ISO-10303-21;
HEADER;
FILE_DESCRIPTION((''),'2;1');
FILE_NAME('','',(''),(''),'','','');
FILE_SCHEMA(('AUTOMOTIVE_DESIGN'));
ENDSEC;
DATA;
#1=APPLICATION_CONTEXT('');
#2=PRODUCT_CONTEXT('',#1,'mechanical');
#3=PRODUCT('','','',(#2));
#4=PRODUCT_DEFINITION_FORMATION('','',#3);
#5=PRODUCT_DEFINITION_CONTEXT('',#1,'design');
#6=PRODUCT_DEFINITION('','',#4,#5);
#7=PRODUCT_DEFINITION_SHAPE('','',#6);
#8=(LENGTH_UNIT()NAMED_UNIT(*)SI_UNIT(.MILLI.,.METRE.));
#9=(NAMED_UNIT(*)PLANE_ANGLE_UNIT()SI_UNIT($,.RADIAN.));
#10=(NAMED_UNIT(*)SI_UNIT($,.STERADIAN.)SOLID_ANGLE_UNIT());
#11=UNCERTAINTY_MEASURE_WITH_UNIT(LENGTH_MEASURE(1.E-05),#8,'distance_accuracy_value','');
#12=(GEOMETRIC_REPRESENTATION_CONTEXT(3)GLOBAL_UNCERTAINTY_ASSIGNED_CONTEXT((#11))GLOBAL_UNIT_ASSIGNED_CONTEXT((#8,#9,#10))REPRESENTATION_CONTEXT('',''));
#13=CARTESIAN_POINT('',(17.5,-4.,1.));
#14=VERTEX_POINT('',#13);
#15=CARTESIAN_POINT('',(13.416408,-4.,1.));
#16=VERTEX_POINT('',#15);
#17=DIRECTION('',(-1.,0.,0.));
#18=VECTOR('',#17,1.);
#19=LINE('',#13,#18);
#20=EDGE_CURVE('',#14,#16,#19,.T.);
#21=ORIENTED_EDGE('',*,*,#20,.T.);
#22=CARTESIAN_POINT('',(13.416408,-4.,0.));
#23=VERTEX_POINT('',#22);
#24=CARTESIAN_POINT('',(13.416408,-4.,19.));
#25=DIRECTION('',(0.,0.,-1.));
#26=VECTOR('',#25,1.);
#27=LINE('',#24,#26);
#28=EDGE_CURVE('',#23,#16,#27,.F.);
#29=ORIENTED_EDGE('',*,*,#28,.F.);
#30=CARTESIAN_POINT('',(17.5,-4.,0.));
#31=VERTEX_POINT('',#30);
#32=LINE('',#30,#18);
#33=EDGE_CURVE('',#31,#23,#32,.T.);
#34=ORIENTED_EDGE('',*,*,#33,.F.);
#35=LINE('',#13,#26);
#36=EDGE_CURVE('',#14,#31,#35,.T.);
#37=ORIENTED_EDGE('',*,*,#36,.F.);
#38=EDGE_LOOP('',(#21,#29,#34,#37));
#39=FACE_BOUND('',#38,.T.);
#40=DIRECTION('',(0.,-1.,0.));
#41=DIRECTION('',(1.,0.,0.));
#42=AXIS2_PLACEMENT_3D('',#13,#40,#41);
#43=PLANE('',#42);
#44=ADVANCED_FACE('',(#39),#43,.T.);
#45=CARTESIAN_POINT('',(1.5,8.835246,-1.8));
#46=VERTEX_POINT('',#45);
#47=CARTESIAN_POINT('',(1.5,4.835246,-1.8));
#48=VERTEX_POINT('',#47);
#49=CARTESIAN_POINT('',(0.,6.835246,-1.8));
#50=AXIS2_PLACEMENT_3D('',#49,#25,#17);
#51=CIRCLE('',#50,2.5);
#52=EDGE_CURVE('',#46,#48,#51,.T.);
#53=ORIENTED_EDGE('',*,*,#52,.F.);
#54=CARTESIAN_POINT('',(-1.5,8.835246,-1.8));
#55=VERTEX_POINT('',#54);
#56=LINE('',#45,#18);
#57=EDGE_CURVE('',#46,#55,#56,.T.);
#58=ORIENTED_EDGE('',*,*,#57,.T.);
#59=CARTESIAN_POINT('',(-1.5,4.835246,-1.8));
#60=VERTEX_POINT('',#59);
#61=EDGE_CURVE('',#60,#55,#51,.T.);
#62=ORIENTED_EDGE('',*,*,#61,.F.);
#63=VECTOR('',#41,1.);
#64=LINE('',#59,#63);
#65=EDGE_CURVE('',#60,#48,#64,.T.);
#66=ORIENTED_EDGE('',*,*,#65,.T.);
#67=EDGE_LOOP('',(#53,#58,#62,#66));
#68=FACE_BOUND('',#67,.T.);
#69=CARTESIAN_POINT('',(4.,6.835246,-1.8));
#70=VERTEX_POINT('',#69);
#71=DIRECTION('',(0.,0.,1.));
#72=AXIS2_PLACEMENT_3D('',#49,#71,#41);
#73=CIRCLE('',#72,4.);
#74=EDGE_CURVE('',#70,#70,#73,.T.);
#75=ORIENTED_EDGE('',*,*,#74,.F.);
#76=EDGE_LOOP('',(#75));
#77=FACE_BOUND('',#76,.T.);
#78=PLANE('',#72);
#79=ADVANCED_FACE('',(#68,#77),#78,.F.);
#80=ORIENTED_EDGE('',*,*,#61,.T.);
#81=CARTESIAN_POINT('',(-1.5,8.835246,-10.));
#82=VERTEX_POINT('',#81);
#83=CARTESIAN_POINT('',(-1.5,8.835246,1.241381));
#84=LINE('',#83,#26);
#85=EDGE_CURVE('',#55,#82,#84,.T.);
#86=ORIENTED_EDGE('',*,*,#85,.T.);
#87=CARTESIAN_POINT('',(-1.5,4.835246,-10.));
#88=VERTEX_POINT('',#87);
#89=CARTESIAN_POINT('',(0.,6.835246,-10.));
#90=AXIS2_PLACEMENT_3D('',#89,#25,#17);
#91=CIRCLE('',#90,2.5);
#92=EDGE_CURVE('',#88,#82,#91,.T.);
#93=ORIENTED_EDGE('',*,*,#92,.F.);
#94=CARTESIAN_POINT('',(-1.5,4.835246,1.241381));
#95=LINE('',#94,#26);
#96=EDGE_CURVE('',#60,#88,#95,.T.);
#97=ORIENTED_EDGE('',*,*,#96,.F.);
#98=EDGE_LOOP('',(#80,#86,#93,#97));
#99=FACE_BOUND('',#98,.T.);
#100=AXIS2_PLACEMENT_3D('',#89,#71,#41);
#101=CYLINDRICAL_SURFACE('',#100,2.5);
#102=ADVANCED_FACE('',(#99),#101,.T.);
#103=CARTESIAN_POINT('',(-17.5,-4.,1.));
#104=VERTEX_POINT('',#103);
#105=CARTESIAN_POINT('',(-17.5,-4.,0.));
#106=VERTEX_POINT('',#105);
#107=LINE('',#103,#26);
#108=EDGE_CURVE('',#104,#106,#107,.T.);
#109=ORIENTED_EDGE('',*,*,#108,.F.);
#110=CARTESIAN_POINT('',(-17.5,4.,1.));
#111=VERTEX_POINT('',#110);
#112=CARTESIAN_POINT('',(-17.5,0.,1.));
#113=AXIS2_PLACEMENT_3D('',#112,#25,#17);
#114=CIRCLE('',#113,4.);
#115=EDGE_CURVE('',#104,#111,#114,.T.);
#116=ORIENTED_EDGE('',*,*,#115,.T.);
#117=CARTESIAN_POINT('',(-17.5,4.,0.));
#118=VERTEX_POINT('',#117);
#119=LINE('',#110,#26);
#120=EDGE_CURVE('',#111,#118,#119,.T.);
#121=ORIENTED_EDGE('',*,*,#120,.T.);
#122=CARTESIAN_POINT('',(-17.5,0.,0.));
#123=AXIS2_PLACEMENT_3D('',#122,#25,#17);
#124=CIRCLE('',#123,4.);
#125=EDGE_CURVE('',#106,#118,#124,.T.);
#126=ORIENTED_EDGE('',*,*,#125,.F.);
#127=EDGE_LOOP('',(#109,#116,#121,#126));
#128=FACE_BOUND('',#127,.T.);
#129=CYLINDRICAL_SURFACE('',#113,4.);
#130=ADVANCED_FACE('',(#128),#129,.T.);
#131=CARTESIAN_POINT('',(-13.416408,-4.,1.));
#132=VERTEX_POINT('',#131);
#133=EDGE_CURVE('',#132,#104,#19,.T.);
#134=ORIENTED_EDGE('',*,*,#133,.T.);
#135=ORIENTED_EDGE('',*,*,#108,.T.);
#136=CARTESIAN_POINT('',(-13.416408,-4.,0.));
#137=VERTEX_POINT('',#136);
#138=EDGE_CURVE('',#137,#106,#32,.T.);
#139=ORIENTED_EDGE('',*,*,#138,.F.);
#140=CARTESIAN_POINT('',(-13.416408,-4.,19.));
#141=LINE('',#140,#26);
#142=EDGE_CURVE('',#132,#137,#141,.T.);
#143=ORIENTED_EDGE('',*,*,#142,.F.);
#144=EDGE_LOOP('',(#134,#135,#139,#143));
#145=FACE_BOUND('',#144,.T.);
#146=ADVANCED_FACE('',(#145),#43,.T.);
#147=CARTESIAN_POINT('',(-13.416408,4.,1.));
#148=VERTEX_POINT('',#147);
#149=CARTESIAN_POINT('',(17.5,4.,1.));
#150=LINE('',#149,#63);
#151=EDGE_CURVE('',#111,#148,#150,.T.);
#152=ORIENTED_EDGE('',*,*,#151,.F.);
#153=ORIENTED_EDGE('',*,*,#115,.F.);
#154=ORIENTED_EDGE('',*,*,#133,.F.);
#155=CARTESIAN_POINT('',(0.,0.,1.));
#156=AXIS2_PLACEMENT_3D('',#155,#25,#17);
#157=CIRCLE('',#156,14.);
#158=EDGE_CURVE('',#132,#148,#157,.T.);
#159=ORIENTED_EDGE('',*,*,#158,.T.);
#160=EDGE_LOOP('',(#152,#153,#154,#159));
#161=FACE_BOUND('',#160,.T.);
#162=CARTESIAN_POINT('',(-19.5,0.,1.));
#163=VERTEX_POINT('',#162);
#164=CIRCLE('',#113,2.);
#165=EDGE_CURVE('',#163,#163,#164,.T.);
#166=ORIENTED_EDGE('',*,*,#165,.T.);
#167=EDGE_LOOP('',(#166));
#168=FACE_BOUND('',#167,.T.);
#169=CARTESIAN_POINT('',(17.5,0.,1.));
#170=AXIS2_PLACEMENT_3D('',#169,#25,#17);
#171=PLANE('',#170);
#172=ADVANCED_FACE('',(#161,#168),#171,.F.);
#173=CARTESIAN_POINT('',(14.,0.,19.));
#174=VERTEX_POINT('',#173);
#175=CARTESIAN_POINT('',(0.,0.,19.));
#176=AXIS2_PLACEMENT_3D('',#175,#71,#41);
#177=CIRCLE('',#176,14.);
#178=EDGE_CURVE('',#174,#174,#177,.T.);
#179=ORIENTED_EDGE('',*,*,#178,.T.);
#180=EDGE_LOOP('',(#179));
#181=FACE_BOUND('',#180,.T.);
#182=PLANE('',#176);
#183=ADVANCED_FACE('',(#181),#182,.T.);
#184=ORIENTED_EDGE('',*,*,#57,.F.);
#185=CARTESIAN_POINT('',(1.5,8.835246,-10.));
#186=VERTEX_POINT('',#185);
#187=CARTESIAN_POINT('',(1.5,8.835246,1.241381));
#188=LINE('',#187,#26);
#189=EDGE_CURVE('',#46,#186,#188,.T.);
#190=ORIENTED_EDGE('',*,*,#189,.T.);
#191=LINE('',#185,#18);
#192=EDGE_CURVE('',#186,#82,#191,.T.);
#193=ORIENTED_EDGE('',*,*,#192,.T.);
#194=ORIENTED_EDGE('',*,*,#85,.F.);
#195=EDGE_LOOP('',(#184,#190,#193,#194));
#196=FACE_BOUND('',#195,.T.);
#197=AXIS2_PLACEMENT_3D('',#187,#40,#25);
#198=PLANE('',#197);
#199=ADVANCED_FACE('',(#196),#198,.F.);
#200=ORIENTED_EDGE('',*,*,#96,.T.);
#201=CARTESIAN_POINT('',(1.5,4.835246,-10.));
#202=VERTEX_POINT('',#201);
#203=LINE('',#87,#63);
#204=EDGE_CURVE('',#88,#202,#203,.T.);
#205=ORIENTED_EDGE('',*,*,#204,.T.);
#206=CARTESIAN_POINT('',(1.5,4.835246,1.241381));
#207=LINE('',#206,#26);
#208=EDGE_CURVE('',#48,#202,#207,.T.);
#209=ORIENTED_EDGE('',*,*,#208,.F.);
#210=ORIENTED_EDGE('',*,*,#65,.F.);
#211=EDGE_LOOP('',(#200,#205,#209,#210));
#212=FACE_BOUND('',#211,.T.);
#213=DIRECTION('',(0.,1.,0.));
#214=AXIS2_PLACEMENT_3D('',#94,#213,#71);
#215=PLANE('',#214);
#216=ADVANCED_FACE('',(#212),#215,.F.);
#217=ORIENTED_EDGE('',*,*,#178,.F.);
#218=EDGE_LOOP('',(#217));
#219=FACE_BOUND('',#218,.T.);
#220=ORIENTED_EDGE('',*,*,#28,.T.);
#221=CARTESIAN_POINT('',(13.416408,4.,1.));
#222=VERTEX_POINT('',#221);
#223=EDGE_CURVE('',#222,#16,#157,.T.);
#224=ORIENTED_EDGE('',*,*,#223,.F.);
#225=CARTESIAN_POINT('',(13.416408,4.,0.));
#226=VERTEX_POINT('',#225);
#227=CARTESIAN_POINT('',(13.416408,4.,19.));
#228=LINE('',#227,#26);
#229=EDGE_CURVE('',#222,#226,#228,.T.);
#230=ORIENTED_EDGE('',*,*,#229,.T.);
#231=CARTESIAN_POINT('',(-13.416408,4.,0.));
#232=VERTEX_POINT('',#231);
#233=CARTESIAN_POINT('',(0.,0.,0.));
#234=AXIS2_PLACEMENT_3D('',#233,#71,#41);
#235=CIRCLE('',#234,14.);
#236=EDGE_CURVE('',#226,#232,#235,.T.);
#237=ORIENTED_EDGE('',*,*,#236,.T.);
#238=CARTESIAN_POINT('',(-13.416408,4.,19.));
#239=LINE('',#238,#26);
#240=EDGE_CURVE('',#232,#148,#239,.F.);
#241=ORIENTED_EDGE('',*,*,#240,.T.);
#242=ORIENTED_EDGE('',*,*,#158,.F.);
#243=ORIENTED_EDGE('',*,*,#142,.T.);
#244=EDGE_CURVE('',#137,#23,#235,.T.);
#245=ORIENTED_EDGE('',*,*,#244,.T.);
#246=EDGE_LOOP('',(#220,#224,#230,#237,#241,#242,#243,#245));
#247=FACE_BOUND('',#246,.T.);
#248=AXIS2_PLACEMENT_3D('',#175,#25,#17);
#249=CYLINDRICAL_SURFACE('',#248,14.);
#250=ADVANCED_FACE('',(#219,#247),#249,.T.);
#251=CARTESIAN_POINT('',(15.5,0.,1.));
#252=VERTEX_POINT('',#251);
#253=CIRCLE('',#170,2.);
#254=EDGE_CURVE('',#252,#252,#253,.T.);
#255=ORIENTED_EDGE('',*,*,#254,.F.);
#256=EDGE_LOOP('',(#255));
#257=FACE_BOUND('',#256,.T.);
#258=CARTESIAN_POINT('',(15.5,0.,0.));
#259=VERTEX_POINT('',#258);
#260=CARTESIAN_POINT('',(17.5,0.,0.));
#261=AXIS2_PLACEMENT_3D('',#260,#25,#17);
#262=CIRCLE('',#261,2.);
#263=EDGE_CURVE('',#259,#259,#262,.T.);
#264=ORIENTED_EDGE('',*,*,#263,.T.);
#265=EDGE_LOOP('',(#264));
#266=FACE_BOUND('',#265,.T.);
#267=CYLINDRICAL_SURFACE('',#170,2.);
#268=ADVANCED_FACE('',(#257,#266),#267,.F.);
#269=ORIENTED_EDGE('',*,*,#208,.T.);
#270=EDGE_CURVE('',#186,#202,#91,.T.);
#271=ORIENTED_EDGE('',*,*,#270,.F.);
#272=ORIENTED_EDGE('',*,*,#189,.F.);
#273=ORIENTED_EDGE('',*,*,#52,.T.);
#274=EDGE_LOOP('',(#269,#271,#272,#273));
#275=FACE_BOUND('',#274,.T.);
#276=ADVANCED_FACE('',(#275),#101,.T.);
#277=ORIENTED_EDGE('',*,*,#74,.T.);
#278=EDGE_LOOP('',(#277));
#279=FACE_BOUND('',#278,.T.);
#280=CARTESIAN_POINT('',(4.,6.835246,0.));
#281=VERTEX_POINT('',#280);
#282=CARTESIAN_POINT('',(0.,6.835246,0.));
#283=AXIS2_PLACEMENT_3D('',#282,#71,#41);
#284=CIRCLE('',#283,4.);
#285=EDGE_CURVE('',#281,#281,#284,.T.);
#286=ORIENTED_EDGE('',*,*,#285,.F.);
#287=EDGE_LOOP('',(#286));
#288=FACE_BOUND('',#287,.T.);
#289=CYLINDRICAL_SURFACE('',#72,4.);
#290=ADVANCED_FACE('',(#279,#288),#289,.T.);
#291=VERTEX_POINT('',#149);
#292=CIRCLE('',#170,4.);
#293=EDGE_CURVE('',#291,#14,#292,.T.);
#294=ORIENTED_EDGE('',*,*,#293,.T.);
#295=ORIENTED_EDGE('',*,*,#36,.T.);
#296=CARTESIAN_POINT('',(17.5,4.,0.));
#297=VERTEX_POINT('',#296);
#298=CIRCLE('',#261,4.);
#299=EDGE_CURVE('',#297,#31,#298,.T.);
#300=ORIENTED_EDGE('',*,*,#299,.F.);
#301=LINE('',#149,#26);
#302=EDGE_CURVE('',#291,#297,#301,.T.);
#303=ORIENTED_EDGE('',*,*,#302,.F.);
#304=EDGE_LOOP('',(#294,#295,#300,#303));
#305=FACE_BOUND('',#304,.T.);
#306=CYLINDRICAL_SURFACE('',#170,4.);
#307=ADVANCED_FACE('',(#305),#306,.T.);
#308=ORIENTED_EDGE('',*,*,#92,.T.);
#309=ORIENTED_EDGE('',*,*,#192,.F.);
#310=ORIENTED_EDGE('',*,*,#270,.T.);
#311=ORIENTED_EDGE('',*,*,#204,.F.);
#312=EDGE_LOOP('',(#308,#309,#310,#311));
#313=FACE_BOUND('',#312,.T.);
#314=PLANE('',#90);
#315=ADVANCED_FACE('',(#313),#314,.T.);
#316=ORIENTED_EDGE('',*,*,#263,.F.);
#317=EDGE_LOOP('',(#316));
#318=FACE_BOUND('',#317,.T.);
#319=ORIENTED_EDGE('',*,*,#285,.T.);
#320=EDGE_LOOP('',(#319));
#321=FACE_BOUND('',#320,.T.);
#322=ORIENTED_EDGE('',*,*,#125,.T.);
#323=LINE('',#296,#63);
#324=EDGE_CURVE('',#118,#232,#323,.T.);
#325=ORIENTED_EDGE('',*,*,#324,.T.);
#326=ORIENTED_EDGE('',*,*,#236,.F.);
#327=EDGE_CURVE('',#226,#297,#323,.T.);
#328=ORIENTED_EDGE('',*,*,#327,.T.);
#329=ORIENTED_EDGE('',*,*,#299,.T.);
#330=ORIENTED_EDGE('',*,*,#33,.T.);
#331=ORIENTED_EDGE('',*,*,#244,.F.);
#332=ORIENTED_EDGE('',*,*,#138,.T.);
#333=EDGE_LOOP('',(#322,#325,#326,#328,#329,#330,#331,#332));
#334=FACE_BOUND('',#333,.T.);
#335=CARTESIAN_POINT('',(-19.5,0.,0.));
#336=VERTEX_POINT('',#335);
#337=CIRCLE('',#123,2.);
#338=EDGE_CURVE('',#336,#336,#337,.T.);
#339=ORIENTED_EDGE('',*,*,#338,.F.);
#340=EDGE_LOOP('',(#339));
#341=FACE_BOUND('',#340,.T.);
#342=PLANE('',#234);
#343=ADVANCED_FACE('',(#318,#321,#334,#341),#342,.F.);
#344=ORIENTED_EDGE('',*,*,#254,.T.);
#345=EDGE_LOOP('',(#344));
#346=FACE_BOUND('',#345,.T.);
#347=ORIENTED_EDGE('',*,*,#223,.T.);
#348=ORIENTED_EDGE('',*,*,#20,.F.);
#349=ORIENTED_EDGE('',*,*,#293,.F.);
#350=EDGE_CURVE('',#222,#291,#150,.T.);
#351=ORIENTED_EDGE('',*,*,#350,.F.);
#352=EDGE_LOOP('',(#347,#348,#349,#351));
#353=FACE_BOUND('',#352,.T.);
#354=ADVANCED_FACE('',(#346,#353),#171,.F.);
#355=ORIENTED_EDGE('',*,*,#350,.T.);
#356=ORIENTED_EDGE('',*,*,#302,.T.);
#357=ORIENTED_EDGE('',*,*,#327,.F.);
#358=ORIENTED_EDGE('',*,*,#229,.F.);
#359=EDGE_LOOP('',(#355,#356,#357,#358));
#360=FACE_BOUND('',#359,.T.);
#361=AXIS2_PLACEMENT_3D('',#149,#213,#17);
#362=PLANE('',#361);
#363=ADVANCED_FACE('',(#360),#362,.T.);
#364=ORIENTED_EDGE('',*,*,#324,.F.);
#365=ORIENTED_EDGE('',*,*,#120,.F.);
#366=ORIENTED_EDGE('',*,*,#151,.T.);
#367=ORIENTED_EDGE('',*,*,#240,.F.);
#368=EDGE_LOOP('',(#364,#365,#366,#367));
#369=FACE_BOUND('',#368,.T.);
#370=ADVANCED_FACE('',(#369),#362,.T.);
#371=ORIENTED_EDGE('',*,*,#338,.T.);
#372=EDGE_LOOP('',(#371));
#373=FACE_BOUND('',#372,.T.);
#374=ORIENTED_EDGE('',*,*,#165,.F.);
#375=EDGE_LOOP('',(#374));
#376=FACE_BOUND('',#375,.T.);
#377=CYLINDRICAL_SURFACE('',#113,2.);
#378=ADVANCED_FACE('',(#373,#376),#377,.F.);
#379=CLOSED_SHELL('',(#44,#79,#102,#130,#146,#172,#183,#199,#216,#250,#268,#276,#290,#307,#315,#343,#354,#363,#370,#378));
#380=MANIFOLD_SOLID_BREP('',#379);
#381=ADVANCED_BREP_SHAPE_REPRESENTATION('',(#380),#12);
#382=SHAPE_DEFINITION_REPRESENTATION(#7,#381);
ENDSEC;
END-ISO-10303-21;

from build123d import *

# Parameters (mm, degrees)
SKETCH_1_R          = 14
EXTRUDE_1_DEPTH     = 19
SKETCH_3_R          = 4
EXTRUDE_2_DEPTH     = 1.8
SKETCH_4_R          = 2.5
EXTRUDE_3_DEPTH     = 8.2
SKETCH_5_R          = 2
EXTRUDE_4_DEPTH     = 1
CUT_EXTRUDE_START   = -8.2
CUT_EXTRUDE_1_DEPTH = 8.2


with BuildPart() as part:
    # 草图1 → 凸台-拉伸1 (new body)
    with BuildSketch(Plane.XY):
        Circle(SKETCH_1_R)
    extrude(amount=EXTRUDE_1_DEPTH)

    # 草图3 → 凸台-拉伸2 (add)
    with BuildSketch(Plane.XY):
        with Locations((0, 6.835245796)):
            Circle(SKETCH_3_R)
    extrude(amount=-EXTRUDE_2_DEPTH)

    # 草图4 → 凸台-拉伸3 (add)
    with BuildSketch(Plane(origin=(0, 0, -1.8), x_dir=(-1, 0, 0), z_dir=(0, 0, -1))):
        with Locations((0, 6.835245796)):
            Circle(SKETCH_4_R)
    extrude(amount=EXTRUDE_3_DEPTH)

    # 草图5 → 凸台-拉伸4 (add)
    with BuildSketch(Plane(origin=(0, 0, 0), x_dir=(-1, 0, 0), z_dir=(0, 0, -1))):
        with BuildLine():
            Line((-17.5, 4), (17.5, 4))
            ThreePointArc((17.5, 4), (21.5, 0), (17.5, -4))
            Line((17.5, -4), (-17.5, -4))
            ThreePointArc((-17.5, -4), (-21.5, 0), (-17.5, 4))
        make_face()
        with Locations((17.5, 0)):
            Circle(SKETCH_5_R, mode=Mode.SUBTRACT)
        with Locations((-17.5, 0)):
            Circle(SKETCH_5_R, mode=Mode.SUBTRACT)
    extrude(amount=-EXTRUDE_4_DEPTH)

    # 草图6 → 切除-拉伸1 (cut)
    with BuildSketch(Plane(origin=(0, 0, -10), x_dir=(-1, 0, 0), z_dir=(0, 0, -1)).offset(CUT_EXTRUDE_START)):
        with BuildLine():
            Line((-1.5, 8.835245796), (1.5, 8.835245796))
            ThreePointArc((1.5, 8.835245796), (0, 9.335245796), (-1.5, 8.835245796))
        make_face()
        with BuildLine():
            Line((1.5, 4.835245796), (-1.5, 4.835245796))
            ThreePointArc((-1.5, 4.835245796), (0, 4.335245796), (1.5, 4.835245796))
        make_face()
    extrude(amount=CUT_EXTRUDE_1_DEPTH, mode=Mode.SUBTRACT)


solid = part.part
